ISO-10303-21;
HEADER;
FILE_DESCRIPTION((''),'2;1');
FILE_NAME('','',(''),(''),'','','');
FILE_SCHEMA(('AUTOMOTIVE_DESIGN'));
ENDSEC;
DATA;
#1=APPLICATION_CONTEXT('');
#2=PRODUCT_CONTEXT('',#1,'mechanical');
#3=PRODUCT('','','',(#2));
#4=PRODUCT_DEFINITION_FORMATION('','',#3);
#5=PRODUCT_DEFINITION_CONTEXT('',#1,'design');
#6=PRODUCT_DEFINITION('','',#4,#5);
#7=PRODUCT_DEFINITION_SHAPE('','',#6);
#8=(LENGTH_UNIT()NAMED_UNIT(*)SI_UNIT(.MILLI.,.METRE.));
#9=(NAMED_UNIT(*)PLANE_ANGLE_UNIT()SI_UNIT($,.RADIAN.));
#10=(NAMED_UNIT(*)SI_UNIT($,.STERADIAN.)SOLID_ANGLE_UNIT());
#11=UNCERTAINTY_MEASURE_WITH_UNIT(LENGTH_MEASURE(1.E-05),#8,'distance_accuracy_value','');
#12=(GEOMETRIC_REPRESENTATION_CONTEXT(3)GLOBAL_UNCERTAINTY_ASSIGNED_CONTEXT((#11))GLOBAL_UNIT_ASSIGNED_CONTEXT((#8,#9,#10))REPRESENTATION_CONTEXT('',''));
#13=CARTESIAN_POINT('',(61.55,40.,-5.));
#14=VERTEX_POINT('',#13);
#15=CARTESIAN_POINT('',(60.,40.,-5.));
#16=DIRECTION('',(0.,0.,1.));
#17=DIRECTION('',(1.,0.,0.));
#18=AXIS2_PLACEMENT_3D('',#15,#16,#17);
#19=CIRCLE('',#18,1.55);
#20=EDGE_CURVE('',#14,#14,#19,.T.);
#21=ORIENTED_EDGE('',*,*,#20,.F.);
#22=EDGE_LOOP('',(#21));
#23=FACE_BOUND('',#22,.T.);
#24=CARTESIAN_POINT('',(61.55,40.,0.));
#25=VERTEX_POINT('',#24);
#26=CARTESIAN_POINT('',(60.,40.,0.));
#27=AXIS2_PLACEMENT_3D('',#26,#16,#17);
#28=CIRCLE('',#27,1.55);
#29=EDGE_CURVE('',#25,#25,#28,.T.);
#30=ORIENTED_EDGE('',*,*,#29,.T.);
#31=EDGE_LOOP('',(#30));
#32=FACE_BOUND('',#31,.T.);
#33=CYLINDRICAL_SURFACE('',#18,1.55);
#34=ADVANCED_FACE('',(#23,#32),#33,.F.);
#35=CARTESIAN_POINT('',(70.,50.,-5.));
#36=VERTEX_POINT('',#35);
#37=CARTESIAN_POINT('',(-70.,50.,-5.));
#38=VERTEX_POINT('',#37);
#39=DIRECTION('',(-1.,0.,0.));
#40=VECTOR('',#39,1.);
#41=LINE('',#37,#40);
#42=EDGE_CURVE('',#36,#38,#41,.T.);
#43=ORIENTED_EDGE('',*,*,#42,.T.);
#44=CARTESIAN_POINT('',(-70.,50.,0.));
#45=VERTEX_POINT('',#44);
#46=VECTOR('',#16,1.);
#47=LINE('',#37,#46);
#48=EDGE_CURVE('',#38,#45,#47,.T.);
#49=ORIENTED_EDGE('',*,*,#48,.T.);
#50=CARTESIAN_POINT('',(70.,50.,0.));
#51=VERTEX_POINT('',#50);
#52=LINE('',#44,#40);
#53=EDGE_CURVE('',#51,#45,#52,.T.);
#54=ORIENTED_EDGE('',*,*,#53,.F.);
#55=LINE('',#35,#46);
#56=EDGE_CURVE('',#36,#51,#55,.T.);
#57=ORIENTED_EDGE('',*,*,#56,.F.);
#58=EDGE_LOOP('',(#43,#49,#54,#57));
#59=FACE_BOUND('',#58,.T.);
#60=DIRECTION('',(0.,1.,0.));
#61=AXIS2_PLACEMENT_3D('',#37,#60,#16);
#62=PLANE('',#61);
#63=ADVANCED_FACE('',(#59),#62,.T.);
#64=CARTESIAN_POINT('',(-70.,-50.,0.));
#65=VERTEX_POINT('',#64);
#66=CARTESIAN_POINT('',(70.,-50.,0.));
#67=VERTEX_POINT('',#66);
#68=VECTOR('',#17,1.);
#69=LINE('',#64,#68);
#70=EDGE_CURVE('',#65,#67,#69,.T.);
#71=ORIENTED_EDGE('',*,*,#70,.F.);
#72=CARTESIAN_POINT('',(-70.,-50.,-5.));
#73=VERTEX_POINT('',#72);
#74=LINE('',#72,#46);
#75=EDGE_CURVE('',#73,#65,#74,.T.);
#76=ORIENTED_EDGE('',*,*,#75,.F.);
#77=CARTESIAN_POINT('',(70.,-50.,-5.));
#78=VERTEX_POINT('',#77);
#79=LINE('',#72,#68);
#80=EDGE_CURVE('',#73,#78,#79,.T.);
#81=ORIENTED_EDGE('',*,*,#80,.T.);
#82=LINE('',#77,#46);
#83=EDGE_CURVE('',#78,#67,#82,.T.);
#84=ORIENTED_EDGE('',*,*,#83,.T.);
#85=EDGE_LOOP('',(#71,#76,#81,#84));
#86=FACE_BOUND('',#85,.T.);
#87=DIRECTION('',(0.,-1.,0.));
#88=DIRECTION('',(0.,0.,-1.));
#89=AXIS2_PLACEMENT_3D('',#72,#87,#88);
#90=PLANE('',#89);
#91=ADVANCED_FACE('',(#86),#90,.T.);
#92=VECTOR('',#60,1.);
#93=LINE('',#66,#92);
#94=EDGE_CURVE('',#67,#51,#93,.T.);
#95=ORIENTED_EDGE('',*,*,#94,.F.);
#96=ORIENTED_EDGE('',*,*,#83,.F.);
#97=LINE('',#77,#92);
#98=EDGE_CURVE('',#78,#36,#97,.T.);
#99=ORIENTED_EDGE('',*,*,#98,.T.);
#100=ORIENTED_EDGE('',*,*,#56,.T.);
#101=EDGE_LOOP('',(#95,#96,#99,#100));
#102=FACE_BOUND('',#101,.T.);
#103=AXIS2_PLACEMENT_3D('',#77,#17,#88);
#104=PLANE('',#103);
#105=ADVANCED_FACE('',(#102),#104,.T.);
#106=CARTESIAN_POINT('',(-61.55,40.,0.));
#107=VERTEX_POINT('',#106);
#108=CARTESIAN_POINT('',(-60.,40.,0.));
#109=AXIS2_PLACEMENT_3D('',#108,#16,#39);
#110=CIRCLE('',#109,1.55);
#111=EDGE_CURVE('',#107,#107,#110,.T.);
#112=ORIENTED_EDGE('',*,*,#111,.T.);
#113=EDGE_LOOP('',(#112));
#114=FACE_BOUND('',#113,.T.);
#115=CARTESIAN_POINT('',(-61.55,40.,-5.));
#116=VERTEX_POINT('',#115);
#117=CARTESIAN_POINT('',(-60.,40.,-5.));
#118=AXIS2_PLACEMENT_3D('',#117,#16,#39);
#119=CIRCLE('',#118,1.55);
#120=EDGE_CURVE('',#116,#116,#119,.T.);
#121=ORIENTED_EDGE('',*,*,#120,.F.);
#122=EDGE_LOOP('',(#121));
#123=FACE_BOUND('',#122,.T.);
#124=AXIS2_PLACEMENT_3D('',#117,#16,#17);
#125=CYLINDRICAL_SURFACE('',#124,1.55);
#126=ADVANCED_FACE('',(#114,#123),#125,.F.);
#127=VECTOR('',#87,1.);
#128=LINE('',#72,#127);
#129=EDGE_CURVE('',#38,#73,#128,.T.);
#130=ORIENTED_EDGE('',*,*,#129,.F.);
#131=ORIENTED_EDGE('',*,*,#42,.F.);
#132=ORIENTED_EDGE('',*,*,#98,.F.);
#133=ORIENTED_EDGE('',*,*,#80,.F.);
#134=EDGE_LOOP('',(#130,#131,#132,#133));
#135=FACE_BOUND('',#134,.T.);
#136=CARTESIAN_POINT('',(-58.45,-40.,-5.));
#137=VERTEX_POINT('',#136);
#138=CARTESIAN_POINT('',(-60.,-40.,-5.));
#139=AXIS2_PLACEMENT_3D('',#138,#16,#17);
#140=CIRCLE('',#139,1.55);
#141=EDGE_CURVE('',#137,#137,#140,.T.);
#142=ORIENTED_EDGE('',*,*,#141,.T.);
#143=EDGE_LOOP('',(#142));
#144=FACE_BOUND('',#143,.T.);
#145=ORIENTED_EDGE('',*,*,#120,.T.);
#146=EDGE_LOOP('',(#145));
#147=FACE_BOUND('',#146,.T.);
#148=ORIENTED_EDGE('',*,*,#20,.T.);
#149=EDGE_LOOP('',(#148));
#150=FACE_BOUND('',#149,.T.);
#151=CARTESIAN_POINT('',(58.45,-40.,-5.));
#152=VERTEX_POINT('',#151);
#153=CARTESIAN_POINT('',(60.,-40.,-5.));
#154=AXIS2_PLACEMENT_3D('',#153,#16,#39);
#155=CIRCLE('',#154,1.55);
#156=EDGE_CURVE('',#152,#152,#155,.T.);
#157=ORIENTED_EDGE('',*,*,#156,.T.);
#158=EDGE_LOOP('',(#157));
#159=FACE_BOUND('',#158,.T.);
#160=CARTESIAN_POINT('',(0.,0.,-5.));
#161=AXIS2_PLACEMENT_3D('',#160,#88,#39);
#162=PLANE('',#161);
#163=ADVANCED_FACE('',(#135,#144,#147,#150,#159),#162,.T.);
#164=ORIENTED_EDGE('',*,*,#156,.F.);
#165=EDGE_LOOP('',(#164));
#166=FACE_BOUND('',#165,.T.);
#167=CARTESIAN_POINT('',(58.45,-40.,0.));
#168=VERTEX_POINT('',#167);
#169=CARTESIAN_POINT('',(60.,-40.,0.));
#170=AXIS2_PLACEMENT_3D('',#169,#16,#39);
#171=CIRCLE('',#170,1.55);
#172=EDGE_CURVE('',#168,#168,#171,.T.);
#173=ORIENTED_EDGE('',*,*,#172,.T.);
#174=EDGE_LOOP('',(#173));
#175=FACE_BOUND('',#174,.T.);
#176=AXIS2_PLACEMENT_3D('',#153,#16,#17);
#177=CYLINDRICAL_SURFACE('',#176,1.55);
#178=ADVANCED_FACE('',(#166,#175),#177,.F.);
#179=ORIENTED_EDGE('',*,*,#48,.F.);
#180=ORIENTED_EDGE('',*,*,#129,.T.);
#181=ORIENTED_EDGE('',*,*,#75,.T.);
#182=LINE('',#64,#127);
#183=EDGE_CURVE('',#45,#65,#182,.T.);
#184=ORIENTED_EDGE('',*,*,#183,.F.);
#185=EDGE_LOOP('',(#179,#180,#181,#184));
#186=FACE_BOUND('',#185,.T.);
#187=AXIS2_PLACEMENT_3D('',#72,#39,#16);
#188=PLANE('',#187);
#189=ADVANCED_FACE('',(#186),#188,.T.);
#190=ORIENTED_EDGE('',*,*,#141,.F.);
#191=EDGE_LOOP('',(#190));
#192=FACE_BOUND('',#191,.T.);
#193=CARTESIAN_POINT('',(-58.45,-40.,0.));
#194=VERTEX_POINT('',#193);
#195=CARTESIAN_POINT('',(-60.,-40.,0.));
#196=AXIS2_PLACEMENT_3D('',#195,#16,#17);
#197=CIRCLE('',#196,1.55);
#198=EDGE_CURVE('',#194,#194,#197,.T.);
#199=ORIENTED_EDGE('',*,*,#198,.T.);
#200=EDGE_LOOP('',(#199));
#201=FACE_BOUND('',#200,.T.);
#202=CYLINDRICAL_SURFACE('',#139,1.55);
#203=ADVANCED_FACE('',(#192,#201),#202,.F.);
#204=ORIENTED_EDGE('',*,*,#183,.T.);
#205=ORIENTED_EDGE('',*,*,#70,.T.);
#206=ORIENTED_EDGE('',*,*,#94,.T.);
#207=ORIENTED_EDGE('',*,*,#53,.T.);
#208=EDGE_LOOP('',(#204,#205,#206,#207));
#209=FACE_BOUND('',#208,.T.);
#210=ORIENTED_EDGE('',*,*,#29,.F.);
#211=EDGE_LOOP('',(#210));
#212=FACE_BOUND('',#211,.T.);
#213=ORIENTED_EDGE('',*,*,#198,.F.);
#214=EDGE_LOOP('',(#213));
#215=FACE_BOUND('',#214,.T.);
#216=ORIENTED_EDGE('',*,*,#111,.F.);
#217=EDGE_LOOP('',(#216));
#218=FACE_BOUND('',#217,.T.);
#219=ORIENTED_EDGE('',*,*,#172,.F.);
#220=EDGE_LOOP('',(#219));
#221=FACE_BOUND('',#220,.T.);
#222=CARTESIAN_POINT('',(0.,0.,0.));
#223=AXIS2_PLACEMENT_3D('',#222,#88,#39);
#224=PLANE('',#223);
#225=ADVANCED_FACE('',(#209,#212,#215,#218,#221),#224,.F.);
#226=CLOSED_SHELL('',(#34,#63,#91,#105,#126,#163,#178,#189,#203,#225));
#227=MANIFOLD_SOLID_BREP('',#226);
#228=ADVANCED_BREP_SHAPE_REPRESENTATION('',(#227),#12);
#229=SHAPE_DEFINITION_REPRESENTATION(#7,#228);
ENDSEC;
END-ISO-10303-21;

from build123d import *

# Parameters (mm, degrees)
ESQUISSE1_W        = 140
ESQUISSE1_H        = 100
ESQUISSE1_R        = 1.55
BOSS_EXTRU_1_DEPTH = 5


with BuildPart() as part:
    # Esquisse1 → Boss.-Extru.1 (new body)
    with BuildSketch(Plane.XY):
        Rectangle(ESQUISSE1_W, ESQUISSE1_H)
        with Locations((-60, -40)):
            Circle(ESQUISSE1_R, mode=Mode.SUBTRACT)
        with Locations(Location((60, -40, 0), (0, 0, 180))):
            Circle(ESQUISSE1_R, mode=Mode.SUBTRACT)
        with Locations((60, 40)):
            Circle(ESQUISSE1_R, mode=Mode.SUBTRACT)
        with Locations(Location((-60, 40, 0), (0, 0, 180))):
            Circle(ESQUISSE1_R, mode=Mode.SUBTRACT)
    extrude(amount=-BOSS_EXTRU_1_DEPTH)


solid = part.part
